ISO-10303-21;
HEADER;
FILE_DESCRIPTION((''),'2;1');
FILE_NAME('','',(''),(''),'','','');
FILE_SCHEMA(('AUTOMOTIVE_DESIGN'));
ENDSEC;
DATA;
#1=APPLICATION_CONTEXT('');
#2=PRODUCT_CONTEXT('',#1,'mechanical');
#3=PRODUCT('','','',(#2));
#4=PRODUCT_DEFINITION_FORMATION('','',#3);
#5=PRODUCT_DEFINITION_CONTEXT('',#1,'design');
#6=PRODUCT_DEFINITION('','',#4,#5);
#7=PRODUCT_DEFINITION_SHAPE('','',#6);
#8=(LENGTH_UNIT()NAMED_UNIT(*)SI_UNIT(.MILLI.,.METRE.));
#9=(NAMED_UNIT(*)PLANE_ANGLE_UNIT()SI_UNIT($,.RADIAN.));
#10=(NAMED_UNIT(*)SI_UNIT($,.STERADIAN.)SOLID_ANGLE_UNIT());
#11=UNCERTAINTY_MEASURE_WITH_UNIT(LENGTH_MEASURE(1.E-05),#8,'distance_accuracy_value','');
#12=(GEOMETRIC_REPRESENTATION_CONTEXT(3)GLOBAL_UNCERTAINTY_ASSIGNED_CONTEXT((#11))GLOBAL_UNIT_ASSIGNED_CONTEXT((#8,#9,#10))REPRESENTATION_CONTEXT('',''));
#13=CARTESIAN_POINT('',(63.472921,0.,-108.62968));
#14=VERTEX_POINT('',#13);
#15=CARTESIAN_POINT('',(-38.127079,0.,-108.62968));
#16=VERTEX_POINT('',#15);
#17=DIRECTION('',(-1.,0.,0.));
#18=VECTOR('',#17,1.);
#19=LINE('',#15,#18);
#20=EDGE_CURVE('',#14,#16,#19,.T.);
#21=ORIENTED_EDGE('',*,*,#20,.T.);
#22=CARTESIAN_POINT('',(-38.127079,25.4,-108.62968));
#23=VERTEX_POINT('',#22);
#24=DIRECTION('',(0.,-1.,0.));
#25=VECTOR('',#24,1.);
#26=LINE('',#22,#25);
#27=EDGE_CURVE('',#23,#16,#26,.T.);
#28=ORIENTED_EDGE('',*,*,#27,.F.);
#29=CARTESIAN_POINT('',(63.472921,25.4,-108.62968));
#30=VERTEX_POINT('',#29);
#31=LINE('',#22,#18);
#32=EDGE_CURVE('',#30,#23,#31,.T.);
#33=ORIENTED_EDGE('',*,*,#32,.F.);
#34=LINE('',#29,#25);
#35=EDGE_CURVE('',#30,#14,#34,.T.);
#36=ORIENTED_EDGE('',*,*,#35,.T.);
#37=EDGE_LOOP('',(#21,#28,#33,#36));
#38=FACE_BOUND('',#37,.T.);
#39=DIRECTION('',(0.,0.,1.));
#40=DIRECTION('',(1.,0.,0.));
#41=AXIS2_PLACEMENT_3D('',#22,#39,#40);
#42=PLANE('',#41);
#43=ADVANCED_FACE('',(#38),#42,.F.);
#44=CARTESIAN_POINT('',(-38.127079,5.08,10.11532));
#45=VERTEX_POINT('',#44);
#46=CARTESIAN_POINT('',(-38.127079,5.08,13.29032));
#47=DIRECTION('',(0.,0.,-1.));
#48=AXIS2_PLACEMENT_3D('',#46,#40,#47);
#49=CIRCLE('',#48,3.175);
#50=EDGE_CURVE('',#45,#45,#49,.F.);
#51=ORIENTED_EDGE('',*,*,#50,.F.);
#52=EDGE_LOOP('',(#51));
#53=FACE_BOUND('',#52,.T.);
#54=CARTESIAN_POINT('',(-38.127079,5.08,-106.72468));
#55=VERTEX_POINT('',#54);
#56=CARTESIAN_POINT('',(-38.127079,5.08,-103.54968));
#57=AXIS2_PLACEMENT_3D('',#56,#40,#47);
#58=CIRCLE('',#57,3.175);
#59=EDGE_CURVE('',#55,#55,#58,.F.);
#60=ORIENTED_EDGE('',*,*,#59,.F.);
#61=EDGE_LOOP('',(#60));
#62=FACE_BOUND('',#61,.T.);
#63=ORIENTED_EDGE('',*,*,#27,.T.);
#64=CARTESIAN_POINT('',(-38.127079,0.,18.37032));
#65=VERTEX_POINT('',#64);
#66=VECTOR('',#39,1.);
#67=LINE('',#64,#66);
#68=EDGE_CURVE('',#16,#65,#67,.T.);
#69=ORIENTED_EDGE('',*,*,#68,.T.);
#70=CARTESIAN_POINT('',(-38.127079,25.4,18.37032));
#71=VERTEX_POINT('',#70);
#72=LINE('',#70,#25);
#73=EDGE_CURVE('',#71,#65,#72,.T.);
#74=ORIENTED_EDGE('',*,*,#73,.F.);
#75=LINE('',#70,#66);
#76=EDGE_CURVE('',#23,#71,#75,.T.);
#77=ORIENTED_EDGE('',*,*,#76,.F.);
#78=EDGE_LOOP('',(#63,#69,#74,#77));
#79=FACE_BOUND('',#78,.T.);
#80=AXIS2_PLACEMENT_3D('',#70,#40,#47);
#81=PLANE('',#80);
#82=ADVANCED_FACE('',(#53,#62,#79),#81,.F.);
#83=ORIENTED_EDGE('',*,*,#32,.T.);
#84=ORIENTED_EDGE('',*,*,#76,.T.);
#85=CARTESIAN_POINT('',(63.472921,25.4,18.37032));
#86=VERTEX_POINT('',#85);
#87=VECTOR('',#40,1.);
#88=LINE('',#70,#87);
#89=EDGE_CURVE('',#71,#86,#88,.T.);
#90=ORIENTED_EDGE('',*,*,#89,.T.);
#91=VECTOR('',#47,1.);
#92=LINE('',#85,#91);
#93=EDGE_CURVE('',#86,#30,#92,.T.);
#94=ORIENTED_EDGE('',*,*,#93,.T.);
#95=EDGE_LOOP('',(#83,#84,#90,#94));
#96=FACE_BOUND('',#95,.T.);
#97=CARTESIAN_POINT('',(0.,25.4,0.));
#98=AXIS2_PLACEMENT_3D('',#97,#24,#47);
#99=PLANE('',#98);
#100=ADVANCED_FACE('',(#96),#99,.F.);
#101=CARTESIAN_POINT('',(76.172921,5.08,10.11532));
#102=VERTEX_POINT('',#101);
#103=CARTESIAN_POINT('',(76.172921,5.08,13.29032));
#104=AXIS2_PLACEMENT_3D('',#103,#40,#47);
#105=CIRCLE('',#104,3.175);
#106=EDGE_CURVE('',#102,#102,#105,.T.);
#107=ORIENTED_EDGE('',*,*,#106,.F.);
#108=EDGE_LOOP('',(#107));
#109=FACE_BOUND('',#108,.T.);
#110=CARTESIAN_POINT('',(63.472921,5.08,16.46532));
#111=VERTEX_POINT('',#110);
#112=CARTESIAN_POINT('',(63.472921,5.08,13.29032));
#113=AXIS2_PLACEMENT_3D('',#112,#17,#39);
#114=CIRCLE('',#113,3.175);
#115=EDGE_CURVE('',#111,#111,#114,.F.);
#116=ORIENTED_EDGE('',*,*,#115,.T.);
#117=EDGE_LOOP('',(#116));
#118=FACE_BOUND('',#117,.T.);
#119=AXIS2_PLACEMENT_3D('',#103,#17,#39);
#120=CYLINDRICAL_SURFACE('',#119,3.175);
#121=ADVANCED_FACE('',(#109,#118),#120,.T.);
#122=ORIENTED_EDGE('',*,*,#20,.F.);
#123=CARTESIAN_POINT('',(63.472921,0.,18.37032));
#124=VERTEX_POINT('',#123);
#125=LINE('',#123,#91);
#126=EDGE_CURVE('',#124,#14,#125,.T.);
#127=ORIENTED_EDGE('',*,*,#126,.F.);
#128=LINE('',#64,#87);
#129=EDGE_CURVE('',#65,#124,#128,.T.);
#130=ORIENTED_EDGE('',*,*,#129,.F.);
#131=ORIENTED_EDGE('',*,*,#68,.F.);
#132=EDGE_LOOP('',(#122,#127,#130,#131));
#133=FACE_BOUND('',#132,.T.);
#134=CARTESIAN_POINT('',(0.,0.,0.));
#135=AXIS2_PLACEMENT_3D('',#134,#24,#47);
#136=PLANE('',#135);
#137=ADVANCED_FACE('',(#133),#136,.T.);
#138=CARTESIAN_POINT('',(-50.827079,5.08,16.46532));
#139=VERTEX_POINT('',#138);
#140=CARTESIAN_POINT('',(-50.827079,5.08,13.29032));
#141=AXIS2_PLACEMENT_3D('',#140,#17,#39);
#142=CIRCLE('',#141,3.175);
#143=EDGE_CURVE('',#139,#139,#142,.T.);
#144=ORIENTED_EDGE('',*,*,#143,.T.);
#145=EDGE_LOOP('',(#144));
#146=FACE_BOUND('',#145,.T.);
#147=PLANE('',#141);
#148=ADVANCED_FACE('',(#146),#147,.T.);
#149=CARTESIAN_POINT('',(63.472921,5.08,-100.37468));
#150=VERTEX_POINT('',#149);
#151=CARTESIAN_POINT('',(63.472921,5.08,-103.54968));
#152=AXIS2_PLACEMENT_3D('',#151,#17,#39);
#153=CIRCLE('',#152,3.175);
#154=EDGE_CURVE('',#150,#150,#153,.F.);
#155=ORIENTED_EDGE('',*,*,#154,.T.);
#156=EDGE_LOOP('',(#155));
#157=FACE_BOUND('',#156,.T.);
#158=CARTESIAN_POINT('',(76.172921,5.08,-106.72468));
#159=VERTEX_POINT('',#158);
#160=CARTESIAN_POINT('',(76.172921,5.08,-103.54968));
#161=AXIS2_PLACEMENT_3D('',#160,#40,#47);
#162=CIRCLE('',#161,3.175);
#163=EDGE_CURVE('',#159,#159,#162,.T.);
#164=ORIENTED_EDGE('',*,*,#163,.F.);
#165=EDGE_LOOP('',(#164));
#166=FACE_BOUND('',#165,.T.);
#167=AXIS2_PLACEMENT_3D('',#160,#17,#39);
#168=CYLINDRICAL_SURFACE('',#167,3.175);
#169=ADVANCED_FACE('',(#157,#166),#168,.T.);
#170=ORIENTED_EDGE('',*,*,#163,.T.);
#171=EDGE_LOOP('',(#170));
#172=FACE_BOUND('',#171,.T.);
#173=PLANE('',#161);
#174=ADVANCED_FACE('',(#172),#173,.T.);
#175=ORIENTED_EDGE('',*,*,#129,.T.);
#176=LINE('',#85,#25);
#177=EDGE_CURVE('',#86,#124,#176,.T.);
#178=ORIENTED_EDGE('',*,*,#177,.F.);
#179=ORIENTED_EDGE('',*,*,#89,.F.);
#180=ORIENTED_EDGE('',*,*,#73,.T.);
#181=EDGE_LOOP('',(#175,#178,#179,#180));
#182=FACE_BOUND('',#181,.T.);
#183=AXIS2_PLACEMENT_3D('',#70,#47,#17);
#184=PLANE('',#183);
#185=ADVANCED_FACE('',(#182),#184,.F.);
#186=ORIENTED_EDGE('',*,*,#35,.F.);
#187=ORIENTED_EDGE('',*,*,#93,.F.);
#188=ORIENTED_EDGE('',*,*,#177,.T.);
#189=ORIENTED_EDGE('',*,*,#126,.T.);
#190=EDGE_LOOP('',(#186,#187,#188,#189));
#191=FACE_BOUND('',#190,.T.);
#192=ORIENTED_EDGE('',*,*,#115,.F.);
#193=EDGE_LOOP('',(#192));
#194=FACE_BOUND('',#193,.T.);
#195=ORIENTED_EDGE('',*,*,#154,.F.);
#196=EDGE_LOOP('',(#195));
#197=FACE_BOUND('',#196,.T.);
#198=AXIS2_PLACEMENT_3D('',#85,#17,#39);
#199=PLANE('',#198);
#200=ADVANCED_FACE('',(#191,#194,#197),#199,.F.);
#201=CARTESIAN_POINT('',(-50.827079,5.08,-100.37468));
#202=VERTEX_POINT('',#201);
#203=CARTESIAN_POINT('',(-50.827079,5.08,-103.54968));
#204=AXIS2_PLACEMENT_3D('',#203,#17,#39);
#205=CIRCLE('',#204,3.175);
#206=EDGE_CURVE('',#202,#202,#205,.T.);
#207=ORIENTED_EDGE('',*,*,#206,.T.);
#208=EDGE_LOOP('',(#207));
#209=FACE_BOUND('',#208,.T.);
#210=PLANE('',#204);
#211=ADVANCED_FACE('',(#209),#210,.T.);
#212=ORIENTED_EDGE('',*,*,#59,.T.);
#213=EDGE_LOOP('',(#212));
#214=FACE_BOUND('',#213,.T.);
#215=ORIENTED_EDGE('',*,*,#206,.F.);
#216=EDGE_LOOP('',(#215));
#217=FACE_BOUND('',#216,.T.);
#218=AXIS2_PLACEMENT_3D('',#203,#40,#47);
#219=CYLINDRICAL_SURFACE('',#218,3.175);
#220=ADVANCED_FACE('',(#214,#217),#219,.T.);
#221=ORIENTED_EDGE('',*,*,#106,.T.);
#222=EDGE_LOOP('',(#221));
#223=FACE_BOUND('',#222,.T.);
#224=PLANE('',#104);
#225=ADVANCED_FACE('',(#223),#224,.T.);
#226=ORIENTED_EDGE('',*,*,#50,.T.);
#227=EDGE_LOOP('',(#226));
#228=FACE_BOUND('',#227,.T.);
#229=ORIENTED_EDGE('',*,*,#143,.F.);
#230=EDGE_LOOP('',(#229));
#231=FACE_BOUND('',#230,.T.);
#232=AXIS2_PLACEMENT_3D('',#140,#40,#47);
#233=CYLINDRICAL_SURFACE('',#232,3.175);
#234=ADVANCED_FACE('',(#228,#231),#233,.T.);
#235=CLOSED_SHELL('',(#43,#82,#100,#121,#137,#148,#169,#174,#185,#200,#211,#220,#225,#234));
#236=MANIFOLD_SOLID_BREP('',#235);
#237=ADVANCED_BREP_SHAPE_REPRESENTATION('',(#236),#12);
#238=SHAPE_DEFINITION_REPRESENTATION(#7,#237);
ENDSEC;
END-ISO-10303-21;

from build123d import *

# Parameters (mm, degrees)
SKETCH1_W           = 101.6
SKETCH1_H           = 127
BOSS_EXTRUDE1_DEPTH = 25.4
SKETCH2_R           = 3.175
BOSS_EXTRUDE3_DEPTH = 12.7
SKETCH3_R           = 3.175
BOSS_EXTRUDE4_DEPTH = 12.7
BOSS_EXTRUDE6_START = 12.7
SKETCH4_R           = 3.175
BOSS_EXTRUDE6_DEPTH = 12.7
BOSS_EXTRUDE7_START = 12.7
SKETCH5_R           = 3.175
BOSS_EXTRUDE7_DEPTH = 12.7


with BuildPart() as part:
    # Sketch1 → Boss-Extrude1 (new body)
    with BuildSketch(Plane(origin=(0, 0, 0), x_dir=(1, 0, 0), z_dir=(0, 1, 0))):
        with Locations((12.672921109, 45.129680171)):
            Rectangle(SKETCH1_W, SKETCH1_H)
    extrude(amount=BOSS_EXTRUDE1_DEPTH)

    # Sketch2 → Boss-Extrude3 (add)
    with BuildSketch(Plane(origin=(63.472921109, 0, 0), x_dir=(0, 0, -1), z_dir=(1, 0, 0))):
        with Locations(Location((-13.290319829, 5.08, 0), (0, 0, 180))):
            Circle(SKETCH2_R)
    extrude(amount=BOSS_EXTRUDE3_DEPTH)

    # Sketch3 → Boss-Extrude4 (add)
    with BuildSketch(Plane(origin=(63.472921109, 0, 0), x_dir=(0, 0, -1), z_dir=(1, 0, 0))):
        with Locations(Location((103.549680171, 5.08, 0), (0, 0, 180))):
            Circle(SKETCH3_R)
    extrude(amount=BOSS_EXTRUDE4_DEPTH)

    # Sketch4 → Boss-Extrude6 (add)
    with BuildSketch(Plane.ZY.offset(38.127078891).offset(BOSS_EXTRUDE6_START)):
        with Locations((-103.549680171, 5.08)):
            Circle(SKETCH4_R)
    extrude(amount=-BOSS_EXTRUDE6_DEPTH)

    # Sketch5 → Boss-Extrude7 (add)
    with BuildSketch(Plane.ZY.offset(38.127078891).offset(BOSS_EXTRUDE7_START)):
        with Locations((13.290319829, 5.08)):
            Circle(SKETCH5_R)
    extrude(amount=-BOSS_EXTRUDE7_DEPTH)


solid = part.part
